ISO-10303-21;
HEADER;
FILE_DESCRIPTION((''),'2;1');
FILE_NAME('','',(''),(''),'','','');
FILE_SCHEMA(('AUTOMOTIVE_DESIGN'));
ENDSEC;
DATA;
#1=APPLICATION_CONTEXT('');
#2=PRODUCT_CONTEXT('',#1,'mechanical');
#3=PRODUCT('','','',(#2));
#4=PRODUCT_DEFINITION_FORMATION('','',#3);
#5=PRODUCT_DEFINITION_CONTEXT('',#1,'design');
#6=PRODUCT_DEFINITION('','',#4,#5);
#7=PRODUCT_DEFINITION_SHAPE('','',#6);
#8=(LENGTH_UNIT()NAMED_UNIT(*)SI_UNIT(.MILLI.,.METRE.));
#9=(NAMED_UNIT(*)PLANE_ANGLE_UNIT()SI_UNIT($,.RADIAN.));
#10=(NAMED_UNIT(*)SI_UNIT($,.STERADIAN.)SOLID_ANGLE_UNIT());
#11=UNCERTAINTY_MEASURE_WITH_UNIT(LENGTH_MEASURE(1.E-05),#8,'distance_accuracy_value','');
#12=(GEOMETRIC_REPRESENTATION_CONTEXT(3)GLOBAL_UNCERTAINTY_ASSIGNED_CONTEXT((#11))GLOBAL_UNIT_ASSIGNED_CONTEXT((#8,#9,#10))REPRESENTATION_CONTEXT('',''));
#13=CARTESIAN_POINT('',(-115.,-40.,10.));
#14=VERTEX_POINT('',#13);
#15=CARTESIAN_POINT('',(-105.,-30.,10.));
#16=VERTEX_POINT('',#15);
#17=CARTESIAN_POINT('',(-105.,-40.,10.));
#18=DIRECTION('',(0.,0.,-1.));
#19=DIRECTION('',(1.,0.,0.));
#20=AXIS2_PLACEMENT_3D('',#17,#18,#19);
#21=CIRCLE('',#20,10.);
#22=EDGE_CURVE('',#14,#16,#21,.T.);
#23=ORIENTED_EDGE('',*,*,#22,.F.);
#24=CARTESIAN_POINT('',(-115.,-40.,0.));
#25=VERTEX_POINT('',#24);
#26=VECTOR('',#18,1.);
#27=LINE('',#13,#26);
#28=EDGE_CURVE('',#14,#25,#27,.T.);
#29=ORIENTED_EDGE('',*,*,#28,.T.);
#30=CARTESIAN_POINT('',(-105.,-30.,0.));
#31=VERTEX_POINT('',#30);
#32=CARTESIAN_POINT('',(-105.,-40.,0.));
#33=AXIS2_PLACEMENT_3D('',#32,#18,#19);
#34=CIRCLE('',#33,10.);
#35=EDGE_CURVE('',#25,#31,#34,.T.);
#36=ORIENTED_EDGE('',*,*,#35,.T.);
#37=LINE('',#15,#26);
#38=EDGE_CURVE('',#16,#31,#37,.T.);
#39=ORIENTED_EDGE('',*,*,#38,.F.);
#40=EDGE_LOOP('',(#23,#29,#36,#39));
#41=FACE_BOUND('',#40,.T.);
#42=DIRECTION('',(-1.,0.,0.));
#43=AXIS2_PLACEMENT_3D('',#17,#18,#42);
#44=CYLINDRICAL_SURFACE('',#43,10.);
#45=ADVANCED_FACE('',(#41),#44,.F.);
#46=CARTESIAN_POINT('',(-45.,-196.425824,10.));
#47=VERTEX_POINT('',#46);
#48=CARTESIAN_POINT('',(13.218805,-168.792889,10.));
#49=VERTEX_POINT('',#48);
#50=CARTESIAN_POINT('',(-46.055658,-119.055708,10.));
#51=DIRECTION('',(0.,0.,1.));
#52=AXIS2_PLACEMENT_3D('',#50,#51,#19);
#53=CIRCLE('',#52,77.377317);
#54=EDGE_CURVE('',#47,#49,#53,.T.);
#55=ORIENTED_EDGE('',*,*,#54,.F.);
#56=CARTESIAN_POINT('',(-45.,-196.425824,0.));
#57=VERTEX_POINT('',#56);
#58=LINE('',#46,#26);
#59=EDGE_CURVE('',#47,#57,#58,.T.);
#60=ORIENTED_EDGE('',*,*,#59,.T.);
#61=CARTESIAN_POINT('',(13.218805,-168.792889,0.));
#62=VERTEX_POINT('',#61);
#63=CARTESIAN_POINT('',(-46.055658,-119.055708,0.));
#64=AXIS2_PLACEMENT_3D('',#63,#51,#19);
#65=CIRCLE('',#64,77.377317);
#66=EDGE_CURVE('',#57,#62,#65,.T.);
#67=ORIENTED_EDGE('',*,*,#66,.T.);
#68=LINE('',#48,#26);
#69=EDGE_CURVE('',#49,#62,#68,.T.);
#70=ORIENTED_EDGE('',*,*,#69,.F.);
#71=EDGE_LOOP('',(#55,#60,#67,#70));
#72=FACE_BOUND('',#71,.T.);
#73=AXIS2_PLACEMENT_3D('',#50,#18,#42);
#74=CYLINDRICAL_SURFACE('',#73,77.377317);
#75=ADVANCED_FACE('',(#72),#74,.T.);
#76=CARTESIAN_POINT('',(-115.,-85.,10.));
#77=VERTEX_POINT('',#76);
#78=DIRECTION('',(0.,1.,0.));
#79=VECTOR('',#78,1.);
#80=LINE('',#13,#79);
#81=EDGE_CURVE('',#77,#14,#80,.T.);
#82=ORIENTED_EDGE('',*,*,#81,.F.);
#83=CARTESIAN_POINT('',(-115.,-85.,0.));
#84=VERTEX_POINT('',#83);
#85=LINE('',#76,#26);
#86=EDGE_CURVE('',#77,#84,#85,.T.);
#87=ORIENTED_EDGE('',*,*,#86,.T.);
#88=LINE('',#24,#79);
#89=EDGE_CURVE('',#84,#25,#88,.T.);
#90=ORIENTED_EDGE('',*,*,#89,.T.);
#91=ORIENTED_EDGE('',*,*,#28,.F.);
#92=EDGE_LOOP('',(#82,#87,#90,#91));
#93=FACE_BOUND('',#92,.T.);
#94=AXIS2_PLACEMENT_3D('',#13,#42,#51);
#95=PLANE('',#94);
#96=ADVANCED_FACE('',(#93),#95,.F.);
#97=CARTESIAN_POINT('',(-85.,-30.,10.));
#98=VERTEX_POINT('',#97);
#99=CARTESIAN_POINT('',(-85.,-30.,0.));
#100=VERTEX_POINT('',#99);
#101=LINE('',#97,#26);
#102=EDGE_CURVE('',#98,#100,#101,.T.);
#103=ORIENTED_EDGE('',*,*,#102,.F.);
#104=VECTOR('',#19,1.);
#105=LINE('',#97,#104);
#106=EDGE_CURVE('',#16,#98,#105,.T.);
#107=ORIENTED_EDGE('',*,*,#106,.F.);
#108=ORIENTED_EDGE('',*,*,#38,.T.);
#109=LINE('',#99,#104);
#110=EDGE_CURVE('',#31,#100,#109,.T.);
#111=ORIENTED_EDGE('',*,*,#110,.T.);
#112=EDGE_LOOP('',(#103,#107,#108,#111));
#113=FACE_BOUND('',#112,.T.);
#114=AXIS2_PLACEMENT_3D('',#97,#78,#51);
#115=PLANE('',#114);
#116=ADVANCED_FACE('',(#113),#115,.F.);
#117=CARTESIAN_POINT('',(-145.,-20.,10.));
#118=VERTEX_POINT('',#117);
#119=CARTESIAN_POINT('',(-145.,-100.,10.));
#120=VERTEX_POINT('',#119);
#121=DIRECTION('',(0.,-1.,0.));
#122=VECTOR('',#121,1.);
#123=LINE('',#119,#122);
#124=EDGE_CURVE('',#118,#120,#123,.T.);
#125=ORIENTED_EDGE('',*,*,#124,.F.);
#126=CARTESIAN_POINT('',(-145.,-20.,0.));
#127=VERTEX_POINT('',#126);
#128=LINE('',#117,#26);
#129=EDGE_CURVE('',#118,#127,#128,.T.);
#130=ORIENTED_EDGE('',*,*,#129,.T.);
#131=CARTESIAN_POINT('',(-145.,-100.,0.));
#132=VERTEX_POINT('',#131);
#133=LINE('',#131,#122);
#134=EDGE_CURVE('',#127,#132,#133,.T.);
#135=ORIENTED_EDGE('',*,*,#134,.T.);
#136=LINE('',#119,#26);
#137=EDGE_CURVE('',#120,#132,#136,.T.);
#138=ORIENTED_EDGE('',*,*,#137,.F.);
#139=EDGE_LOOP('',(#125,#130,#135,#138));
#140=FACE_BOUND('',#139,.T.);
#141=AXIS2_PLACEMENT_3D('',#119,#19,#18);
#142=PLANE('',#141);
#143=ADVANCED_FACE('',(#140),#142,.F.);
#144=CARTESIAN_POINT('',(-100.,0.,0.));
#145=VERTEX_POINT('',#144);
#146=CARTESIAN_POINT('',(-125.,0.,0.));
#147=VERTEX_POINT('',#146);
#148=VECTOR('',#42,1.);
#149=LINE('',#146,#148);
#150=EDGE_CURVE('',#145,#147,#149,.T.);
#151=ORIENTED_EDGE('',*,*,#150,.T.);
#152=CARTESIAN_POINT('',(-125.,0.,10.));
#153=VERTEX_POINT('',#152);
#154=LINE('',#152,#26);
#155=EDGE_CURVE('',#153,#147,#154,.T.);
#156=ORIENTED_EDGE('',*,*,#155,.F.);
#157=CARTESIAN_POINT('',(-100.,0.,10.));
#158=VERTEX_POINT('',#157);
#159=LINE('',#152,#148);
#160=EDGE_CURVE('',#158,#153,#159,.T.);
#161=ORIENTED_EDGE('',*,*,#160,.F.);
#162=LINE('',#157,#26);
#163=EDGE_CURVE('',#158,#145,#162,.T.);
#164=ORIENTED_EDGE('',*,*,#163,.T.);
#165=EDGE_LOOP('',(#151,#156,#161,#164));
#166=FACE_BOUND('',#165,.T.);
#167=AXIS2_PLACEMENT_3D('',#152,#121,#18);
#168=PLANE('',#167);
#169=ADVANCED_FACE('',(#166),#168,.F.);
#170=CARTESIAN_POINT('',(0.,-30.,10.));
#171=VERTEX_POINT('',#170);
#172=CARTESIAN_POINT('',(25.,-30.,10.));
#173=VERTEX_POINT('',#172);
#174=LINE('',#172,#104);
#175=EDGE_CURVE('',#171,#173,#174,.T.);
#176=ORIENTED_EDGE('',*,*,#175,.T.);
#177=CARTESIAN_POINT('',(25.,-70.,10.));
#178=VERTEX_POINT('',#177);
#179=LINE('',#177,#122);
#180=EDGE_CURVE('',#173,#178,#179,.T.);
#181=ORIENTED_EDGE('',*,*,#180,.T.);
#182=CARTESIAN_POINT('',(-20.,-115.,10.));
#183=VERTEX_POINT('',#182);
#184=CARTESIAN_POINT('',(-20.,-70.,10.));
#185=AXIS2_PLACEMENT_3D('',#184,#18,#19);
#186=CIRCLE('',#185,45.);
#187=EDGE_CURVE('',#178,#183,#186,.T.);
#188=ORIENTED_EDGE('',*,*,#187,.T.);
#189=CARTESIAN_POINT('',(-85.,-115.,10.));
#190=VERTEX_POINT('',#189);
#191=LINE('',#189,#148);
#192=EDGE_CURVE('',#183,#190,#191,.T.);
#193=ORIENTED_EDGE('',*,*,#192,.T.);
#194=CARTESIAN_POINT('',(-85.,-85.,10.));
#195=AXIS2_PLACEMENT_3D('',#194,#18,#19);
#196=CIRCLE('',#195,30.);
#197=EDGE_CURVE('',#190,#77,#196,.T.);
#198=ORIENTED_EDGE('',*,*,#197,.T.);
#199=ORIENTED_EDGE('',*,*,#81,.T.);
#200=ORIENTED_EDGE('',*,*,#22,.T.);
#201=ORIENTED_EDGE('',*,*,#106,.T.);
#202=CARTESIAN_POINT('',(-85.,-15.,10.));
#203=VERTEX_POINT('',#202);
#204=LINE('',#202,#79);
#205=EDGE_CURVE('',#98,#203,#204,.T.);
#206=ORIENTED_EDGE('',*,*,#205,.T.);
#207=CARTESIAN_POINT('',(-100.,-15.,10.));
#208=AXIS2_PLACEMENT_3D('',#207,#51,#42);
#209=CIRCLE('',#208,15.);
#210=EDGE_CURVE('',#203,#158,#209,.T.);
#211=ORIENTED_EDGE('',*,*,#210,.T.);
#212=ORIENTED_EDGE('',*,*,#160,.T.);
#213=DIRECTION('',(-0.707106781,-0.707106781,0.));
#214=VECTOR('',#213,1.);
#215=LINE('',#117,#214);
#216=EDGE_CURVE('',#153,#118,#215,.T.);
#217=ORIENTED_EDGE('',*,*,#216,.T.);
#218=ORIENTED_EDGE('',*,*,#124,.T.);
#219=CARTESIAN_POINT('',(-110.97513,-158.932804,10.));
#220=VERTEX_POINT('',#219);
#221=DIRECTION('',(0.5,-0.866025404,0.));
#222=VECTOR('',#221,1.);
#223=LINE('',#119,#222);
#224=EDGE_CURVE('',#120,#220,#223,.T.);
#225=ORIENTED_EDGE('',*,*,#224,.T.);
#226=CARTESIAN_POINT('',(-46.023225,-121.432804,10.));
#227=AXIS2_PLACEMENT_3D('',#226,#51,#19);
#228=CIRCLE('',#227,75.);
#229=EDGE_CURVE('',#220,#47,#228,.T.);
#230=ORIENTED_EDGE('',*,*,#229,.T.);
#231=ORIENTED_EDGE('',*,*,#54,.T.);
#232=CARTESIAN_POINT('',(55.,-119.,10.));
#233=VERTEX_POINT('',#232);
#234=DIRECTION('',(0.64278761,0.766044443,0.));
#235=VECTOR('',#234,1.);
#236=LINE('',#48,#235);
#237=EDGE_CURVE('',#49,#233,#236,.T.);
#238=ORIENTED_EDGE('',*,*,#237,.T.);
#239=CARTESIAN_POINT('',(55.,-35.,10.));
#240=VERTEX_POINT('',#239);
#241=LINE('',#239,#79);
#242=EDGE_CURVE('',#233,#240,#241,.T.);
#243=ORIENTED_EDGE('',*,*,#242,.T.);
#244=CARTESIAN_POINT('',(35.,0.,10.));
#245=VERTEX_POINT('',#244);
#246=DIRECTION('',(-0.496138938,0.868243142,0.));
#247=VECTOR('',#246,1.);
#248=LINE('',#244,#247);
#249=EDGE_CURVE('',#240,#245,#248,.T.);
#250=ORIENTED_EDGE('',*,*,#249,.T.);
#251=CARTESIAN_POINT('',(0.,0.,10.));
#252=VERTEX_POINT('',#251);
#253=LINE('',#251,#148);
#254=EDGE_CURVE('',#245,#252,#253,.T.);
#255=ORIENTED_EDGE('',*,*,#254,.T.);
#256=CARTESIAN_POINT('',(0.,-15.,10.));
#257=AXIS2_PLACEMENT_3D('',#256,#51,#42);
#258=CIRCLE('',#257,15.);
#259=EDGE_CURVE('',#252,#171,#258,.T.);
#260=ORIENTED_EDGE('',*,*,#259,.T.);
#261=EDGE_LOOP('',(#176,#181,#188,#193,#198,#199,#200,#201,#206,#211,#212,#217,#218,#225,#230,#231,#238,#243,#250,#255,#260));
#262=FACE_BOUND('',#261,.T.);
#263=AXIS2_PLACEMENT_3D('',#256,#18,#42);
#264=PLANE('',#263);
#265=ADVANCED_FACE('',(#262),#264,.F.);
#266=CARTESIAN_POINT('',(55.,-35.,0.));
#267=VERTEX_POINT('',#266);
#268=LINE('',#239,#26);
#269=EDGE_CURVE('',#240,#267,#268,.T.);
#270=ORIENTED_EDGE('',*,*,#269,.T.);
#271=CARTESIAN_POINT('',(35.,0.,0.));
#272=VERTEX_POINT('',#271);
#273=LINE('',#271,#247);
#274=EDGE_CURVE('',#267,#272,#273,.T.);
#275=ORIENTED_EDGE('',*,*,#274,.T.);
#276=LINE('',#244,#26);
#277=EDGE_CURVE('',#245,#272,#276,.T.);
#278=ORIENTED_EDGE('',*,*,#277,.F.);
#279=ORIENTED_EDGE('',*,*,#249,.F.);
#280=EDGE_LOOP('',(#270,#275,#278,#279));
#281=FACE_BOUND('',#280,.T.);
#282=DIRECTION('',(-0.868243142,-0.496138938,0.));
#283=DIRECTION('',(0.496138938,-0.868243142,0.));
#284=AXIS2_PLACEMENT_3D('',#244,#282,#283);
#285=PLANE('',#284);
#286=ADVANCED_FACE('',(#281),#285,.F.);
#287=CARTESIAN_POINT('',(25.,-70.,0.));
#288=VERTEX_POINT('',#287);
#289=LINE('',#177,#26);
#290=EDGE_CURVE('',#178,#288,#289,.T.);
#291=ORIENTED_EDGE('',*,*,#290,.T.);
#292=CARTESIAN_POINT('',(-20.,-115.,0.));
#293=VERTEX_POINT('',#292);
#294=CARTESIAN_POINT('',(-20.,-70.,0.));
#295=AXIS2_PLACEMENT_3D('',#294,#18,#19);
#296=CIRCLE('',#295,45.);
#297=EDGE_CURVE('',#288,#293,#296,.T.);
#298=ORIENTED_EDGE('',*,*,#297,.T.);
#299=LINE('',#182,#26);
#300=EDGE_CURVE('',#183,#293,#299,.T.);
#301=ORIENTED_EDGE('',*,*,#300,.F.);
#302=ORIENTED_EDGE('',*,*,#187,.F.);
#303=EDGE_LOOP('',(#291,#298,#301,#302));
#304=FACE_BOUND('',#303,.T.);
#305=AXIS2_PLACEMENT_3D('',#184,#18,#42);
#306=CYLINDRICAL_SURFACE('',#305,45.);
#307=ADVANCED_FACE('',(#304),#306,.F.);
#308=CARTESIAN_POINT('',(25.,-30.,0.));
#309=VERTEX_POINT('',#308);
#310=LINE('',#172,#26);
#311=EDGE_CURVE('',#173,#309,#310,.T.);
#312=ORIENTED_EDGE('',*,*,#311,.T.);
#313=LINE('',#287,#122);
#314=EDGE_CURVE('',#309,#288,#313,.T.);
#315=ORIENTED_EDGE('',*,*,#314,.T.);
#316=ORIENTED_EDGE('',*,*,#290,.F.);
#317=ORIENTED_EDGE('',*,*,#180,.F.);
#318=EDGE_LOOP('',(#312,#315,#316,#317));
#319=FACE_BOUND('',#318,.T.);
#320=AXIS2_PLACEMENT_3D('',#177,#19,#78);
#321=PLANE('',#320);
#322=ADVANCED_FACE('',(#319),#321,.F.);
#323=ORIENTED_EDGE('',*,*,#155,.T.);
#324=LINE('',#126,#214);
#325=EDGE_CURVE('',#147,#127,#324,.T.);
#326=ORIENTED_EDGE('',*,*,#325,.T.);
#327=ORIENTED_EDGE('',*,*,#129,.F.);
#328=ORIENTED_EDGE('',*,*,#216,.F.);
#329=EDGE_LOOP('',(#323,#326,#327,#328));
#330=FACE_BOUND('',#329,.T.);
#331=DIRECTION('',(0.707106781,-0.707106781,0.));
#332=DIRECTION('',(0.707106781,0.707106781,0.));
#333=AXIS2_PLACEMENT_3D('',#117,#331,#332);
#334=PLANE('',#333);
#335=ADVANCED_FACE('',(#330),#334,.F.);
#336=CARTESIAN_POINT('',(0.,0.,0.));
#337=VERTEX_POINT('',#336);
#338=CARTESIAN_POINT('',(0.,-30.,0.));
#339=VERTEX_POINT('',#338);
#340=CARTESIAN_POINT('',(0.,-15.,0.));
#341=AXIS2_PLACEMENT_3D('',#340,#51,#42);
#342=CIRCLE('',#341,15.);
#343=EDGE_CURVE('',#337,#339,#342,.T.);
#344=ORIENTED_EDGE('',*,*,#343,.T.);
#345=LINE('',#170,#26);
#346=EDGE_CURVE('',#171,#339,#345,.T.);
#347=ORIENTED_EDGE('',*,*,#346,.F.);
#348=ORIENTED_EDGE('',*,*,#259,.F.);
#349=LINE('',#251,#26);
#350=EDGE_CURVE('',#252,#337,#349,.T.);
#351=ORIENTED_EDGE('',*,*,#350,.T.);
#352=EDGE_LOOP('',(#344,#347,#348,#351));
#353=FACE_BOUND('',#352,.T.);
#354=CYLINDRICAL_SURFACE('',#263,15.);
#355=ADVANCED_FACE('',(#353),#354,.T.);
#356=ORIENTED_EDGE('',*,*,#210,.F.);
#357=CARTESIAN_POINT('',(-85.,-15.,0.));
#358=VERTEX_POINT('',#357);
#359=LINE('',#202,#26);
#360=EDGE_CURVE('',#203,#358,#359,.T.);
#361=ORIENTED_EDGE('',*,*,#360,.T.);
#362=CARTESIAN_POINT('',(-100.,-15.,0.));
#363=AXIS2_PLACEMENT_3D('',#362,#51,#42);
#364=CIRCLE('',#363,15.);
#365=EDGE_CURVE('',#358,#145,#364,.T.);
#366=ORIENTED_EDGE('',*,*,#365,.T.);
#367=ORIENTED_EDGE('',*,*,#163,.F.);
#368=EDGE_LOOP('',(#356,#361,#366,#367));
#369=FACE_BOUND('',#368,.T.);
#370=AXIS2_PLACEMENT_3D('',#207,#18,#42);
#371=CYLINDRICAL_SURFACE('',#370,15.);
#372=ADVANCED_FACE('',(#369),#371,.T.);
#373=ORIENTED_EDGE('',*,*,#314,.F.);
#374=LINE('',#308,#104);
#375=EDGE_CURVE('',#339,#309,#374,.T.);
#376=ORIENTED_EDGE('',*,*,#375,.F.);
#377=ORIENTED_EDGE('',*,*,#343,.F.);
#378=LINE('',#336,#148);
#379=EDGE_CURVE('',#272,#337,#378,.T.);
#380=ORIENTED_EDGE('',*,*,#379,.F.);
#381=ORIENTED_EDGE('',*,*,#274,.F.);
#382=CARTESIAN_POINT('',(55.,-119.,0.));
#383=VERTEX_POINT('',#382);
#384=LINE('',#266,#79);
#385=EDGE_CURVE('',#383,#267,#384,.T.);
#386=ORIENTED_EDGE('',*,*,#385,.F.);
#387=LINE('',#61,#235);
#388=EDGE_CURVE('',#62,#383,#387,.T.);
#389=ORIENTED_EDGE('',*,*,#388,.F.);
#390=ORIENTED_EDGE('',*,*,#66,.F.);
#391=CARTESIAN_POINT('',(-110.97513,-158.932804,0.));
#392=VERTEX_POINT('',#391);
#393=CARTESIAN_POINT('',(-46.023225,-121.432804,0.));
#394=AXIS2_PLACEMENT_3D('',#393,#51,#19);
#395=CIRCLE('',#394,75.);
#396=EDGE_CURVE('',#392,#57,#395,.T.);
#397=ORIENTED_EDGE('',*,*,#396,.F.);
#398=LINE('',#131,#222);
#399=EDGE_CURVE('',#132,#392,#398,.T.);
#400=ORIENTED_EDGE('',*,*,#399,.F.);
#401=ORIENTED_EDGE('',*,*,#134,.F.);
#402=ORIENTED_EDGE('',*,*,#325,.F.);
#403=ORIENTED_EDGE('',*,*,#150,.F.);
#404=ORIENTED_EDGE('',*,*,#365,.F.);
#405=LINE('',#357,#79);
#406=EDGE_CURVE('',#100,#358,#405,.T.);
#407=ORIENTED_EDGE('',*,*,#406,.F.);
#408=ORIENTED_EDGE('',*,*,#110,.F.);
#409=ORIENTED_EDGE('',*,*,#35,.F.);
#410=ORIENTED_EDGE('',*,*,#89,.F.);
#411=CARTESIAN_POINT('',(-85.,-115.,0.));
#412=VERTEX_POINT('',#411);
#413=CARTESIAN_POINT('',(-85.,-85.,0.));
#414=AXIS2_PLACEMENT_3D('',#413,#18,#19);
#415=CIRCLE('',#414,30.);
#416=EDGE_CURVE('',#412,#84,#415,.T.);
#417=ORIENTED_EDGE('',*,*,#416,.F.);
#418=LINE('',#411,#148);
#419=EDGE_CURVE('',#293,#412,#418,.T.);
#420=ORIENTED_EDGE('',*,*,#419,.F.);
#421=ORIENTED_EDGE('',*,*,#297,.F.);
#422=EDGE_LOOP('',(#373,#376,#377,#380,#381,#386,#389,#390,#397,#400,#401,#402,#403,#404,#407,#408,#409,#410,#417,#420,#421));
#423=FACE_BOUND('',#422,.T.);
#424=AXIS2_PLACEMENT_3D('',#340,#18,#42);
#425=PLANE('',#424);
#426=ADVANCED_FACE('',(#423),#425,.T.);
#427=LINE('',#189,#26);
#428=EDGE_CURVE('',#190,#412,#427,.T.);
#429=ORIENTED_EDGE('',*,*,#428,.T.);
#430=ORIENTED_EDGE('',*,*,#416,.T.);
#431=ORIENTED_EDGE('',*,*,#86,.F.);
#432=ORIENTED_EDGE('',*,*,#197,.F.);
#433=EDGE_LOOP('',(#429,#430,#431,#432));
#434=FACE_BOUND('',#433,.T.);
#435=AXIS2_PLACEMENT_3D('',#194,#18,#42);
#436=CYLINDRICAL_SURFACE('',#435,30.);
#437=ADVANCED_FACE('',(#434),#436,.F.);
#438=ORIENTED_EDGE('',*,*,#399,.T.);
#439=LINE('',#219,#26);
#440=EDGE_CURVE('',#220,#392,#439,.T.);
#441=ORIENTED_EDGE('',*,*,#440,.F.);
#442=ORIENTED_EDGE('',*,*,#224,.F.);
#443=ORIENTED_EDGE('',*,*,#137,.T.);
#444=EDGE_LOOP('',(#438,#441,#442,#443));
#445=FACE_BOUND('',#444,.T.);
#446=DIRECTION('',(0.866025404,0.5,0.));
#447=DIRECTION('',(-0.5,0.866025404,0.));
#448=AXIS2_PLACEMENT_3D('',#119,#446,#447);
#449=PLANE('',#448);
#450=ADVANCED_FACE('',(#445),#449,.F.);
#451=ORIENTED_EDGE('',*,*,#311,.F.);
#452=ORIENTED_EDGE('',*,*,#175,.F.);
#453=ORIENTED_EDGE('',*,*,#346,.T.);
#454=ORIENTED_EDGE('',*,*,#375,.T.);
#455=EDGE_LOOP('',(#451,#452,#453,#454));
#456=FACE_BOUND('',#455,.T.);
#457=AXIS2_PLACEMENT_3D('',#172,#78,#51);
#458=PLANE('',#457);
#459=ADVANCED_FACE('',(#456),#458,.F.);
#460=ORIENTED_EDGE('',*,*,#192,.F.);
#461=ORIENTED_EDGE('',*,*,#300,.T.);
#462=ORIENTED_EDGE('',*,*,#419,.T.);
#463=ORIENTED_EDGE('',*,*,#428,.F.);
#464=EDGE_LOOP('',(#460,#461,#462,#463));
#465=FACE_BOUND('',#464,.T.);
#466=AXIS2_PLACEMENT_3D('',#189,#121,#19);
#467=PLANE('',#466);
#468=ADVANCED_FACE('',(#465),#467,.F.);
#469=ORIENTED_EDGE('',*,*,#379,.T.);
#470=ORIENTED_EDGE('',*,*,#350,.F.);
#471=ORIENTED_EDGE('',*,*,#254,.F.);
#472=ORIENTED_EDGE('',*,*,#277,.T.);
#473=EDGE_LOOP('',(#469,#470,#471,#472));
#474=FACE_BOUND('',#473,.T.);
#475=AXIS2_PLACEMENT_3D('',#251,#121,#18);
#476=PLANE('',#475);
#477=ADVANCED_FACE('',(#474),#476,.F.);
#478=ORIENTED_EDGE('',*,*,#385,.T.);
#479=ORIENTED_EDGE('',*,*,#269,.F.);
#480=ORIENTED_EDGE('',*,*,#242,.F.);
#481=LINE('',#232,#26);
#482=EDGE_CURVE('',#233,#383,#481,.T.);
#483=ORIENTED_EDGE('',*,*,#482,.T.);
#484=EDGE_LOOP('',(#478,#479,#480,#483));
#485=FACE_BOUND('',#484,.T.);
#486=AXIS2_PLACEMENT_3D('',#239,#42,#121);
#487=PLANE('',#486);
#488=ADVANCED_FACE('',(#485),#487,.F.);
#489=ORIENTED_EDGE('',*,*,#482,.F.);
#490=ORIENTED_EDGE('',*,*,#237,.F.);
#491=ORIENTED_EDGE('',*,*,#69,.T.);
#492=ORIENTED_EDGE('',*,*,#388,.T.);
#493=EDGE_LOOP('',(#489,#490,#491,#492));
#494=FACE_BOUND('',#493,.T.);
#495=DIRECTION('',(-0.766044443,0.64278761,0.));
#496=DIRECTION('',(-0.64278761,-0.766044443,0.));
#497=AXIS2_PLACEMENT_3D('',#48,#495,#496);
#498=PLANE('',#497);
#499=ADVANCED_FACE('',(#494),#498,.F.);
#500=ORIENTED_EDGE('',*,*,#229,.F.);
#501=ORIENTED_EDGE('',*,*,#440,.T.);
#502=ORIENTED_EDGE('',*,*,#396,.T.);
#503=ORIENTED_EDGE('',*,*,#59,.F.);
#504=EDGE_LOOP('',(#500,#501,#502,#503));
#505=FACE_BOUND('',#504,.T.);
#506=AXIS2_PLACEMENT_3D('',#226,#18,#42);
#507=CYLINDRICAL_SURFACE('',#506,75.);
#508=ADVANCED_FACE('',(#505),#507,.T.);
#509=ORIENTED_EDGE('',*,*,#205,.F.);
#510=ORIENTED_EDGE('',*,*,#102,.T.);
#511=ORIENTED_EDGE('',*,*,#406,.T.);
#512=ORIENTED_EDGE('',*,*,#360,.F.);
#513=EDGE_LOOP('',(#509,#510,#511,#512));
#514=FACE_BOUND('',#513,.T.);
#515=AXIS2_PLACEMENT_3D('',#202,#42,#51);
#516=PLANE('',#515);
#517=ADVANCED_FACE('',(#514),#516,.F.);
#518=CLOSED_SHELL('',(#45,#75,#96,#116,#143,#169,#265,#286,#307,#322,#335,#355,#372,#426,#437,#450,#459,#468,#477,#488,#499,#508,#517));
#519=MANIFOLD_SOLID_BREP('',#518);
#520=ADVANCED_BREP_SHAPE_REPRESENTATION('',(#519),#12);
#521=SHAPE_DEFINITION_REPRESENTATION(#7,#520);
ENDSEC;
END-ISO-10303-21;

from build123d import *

# Parameters (mm, degrees)
BOSS_EXTRUDE1_DEPTH = 10


with BuildPart() as part:
    # Sketch1 → Boss-Extrude1 (new body)
    with BuildSketch(Plane.XY):
        with BuildLine():
            Line((0, 0), (35, 0))
            Line((35, 0), (55, -35))
            Line((55, -35), (55, -119))
            Line((55, -119), (13.21880537, -168.792888803))
            ThreePointArc((13.21880537, -168.792888803), (-12.876965195, -188.95866594), (-45, -196.425823621))
            ThreePointArc((-45, -196.425823621), (-83.079272466, -186.639009954), (-110.975129822, -158.932803869))
            Line((-110.975129822, -158.932803869), (-145, -100))
            Line((-145, -100), (-145, -20))
            Line((-145, -20), (-125, 0))
            Line((-125, 0), (-100, 0))
            ThreePointArc((-100, 0), (-89.393398282, -4.393398282), (-85, -15))
            Line((-85, -15), (-85, -30))
            Line((-85, -30), (-105, -30))
            ThreePointArc((-105, -30), (-112.071067812, -32.928932188), (-115, -40))
            Line((-115, -40), (-115, -85))
            ThreePointArc((-115, -85), (-106.213203436, -106.213203436), (-85, -115))
            Line((-85, -115), (-20, -115))
            ThreePointArc((-20, -115), (11.819805153, -101.819805153), (25, -70))
            Line((25, -70), (25, -30))
            Line((25, -30), (0, -30))
            ThreePointArc((0, -30), (-15, -15), (0, 0))
        make_face()
    extrude(amount=BOSS_EXTRUDE1_DEPTH)


solid = part.part
